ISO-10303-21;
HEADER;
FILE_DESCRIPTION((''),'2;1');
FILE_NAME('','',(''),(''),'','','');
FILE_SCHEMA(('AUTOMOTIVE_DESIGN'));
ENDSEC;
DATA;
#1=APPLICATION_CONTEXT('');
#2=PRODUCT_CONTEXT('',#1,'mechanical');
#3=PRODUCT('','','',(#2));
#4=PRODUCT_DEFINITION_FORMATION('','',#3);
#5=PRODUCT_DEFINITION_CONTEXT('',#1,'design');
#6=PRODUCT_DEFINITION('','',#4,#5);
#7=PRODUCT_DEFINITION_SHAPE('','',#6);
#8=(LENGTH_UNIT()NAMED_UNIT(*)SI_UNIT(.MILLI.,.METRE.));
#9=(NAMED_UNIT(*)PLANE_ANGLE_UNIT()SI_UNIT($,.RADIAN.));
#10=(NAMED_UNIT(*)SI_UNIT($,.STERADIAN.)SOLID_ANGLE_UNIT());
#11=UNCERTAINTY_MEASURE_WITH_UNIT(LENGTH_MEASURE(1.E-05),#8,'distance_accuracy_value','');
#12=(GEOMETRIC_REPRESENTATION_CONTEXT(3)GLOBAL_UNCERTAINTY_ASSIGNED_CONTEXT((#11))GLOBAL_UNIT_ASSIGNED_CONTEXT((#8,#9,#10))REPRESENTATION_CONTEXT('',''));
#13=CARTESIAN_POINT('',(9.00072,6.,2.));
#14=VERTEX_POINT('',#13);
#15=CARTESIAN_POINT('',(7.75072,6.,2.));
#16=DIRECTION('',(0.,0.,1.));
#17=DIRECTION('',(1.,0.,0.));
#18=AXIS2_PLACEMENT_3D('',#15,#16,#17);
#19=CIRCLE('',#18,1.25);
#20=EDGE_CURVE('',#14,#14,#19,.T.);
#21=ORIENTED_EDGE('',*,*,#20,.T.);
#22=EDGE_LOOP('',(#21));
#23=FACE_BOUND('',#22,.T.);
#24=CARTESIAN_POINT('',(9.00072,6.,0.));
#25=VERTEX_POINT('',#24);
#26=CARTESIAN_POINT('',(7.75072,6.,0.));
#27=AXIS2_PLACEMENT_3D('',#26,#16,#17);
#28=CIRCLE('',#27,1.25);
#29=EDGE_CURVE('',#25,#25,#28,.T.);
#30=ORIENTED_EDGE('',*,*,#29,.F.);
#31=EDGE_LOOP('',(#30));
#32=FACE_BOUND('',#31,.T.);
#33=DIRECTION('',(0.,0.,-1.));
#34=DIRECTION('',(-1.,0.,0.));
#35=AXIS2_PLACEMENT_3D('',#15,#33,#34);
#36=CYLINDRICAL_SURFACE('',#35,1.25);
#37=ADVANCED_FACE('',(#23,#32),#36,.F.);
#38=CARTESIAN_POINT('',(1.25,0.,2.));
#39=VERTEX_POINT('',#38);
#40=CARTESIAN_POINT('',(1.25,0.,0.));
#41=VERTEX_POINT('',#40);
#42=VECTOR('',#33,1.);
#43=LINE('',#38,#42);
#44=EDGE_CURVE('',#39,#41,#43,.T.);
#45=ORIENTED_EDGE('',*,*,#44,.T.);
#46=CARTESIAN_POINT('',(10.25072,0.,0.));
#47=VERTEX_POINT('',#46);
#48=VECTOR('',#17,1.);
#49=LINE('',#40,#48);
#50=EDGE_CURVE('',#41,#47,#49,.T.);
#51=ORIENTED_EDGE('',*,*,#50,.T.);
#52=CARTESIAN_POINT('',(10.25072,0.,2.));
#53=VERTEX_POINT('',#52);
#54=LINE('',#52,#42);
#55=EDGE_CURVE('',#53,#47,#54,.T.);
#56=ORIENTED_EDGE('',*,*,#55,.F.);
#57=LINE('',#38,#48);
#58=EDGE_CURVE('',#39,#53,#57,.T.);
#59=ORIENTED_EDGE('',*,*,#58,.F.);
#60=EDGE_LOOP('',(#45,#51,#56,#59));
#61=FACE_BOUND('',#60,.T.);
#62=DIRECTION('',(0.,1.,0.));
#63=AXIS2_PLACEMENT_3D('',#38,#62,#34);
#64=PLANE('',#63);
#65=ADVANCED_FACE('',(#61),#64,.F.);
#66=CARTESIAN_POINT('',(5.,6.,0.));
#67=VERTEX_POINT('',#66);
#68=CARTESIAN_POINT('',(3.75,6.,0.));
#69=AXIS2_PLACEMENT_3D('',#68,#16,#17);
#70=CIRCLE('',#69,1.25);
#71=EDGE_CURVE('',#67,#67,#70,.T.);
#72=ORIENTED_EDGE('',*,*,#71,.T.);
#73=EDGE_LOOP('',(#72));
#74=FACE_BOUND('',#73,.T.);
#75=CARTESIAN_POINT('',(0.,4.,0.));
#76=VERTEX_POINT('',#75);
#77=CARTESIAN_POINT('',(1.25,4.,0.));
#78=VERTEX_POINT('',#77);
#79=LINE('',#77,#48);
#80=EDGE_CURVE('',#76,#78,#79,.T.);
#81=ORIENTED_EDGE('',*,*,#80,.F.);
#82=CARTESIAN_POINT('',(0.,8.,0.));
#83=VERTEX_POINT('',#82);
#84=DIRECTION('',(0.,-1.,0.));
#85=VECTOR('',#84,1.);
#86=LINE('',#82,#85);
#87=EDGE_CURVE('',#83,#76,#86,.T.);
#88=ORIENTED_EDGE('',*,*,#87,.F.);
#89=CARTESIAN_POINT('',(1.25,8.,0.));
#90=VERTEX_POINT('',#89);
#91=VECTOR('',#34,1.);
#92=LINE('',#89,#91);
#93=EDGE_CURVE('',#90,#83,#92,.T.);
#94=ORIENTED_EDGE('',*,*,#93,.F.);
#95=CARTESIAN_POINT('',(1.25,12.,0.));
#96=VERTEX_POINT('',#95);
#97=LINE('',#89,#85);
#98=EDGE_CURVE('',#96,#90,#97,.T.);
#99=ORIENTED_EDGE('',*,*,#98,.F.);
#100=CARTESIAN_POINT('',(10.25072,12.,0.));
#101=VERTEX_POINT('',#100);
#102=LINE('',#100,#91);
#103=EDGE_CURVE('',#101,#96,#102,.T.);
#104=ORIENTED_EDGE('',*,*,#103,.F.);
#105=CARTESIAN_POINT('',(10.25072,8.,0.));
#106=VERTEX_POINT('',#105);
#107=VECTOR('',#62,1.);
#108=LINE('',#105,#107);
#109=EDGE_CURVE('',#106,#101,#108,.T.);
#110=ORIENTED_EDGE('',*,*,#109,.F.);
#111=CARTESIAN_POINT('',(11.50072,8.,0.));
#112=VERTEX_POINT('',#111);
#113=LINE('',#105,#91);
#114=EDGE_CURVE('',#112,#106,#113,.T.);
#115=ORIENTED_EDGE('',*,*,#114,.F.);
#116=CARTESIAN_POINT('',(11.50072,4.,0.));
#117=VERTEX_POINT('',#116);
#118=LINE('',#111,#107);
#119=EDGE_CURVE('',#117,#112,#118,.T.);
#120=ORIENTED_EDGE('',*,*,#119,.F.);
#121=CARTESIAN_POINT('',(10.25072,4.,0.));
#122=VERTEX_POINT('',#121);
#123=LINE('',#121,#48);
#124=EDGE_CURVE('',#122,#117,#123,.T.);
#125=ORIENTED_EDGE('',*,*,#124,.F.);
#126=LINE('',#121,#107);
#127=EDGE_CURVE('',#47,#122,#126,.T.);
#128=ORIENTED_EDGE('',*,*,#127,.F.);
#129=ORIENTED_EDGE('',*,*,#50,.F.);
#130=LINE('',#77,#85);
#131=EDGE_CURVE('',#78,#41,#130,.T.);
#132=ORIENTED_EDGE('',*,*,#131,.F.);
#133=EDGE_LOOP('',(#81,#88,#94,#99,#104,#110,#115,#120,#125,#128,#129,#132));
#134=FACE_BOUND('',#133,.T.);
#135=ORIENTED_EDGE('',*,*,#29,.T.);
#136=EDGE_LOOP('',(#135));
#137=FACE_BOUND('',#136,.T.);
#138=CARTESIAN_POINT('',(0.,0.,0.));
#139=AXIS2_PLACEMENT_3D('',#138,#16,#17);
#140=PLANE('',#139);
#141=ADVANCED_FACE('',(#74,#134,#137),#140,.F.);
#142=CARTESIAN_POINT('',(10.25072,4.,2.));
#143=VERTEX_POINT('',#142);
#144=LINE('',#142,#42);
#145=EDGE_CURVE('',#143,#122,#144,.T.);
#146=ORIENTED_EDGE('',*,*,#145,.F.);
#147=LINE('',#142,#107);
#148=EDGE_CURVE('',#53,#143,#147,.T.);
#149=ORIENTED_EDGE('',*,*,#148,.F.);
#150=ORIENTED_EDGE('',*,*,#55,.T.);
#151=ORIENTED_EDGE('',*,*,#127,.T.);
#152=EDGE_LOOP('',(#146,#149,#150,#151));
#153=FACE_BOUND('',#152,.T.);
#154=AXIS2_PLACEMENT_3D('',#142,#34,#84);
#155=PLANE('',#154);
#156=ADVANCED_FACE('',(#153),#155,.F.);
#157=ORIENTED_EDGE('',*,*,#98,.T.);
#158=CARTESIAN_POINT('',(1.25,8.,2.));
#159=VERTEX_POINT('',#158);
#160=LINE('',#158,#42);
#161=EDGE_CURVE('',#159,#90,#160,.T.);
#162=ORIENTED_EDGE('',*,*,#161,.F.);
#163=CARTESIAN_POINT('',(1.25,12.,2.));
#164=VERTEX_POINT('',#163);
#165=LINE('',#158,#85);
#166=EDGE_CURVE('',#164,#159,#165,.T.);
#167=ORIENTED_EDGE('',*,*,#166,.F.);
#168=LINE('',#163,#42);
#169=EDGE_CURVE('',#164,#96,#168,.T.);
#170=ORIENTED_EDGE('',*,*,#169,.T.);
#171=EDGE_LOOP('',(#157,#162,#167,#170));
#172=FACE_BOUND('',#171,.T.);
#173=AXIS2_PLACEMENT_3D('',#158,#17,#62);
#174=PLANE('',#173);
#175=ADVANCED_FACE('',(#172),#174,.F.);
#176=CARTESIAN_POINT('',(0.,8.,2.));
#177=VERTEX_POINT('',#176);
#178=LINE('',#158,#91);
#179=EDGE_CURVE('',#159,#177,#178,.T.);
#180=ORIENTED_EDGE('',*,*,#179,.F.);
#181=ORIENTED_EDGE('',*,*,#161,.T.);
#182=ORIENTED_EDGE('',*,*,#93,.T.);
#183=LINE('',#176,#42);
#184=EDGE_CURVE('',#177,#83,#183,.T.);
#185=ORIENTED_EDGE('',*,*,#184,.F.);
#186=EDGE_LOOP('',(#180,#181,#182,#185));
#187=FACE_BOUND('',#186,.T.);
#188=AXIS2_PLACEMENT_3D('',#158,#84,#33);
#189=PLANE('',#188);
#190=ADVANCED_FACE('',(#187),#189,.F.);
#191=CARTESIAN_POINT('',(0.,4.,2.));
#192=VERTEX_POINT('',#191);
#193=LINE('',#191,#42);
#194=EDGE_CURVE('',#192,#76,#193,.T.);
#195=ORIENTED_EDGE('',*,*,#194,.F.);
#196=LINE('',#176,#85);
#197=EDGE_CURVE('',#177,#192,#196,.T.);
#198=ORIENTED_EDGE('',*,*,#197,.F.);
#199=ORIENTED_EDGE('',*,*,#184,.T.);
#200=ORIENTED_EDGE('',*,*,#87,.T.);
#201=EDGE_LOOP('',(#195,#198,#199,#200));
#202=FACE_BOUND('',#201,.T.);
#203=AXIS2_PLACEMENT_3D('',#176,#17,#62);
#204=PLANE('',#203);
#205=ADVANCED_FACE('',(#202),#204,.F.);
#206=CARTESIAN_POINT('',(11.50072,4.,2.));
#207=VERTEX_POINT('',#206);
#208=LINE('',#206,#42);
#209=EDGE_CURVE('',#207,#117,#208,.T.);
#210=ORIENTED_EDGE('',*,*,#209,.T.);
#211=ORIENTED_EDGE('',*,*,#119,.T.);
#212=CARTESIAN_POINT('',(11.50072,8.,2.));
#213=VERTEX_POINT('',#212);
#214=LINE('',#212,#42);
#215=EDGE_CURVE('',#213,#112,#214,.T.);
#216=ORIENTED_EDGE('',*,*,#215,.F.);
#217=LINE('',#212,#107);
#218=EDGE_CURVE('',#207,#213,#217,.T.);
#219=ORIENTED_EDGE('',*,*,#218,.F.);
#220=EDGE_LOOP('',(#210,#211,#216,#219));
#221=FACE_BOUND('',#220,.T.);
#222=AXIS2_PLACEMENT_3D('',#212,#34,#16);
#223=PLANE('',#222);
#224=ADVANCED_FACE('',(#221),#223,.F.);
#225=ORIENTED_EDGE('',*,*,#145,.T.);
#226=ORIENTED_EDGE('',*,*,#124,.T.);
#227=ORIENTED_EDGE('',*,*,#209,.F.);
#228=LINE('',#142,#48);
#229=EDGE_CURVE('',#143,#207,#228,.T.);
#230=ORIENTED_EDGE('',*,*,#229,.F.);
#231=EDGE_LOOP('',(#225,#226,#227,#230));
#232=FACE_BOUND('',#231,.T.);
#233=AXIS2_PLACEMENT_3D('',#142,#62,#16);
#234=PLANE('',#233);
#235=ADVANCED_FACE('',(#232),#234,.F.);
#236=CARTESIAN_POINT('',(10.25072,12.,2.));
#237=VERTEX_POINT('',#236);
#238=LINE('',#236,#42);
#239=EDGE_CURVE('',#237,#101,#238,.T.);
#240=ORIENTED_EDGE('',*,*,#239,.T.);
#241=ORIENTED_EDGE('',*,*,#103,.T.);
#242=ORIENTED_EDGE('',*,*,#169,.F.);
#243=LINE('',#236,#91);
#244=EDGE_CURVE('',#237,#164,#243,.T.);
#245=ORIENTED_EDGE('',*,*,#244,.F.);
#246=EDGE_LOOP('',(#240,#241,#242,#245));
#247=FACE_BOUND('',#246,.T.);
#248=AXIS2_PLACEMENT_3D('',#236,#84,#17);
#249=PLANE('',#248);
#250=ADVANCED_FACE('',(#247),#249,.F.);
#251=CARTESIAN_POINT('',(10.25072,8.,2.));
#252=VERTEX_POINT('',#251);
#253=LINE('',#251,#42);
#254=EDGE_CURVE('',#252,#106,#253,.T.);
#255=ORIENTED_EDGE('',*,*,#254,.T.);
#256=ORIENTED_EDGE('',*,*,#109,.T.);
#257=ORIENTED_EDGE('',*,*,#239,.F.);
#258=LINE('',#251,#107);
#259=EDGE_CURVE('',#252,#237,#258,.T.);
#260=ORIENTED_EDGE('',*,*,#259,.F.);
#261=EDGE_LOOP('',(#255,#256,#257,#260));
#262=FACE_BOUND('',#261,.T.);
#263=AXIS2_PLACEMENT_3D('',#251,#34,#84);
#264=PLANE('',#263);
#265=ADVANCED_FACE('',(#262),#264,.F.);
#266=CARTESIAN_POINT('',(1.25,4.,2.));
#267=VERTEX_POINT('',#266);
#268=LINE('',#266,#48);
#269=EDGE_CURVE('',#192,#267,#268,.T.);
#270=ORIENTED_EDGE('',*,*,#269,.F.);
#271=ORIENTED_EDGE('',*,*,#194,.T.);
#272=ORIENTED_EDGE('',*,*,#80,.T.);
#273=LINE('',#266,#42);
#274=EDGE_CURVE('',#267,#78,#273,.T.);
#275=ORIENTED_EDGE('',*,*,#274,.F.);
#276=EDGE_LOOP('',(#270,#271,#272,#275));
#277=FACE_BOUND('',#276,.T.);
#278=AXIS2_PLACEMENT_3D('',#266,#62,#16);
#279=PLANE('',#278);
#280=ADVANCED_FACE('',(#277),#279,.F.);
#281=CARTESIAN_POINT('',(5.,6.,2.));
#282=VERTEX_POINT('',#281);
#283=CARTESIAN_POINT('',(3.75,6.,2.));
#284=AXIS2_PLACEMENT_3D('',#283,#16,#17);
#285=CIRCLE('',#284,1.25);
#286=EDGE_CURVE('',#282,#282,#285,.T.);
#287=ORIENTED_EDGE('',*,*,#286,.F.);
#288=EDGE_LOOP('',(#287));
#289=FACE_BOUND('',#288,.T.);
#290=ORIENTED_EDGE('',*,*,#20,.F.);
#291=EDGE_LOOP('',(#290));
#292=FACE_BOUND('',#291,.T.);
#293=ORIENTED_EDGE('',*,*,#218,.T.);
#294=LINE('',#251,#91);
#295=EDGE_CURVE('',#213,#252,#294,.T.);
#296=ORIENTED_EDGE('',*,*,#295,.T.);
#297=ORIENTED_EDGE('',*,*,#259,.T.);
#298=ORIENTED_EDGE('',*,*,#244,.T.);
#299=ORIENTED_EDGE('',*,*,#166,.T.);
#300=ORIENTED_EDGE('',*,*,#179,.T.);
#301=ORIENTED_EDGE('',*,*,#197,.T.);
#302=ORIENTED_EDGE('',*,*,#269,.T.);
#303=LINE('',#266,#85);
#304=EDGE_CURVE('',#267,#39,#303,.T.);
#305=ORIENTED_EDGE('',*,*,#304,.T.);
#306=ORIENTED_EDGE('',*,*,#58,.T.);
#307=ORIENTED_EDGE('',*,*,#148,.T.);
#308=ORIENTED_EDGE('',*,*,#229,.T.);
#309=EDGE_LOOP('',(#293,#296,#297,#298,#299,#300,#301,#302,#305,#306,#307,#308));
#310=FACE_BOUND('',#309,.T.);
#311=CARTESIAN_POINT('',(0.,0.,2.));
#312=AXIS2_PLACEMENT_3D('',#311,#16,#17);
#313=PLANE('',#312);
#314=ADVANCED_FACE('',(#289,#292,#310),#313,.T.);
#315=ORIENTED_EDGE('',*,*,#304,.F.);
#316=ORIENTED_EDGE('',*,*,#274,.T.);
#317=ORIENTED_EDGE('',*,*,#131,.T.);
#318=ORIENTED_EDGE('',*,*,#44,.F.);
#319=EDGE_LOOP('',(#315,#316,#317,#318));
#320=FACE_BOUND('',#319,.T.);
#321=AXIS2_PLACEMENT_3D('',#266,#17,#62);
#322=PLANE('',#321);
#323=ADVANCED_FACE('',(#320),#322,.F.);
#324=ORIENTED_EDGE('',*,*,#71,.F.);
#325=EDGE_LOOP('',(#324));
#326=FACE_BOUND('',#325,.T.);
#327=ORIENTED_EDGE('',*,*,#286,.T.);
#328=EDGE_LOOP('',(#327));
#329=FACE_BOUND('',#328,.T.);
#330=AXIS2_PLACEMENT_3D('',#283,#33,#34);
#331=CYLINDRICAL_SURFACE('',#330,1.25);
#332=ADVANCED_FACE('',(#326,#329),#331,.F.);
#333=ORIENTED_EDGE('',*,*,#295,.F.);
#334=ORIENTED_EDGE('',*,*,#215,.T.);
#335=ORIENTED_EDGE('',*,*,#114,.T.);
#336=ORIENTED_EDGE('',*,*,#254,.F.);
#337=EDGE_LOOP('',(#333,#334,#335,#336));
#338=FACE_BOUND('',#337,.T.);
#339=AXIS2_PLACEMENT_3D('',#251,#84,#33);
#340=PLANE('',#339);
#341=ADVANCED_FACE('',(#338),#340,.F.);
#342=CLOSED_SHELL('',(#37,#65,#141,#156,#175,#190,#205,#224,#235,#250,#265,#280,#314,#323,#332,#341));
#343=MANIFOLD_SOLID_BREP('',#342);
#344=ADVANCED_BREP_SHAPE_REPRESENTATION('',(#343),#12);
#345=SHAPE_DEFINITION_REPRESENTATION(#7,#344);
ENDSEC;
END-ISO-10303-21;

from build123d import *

# Parameters (mm, degrees)
MODEL_R             = 1.25
BOSS_EXTRUDE1_DEPTH = 2


with BuildPart() as part:
    # Model → Boss-Extrude1 (new body)
    with BuildSketch(Plane.XY):
        Polygon((1.25, 4), (0, 4), (0, 8), (1.25, 8), (1.25, 12), (10.25072, 12), (10.25072, 8), (11.50072, 8), (11.50072, 4), (10.25072, 4), (10.25072, 0), (1.25, 0), align=None)
        with Locations((7.75072, 6)):
            Circle(MODEL_R, mode=Mode.SUBTRACT)
        with Locations((3.75, 6)):
            Circle(MODEL_R, mode=Mode.SUBTRACT)
    extrude(amount=BOSS_EXTRUDE1_DEPTH)


solid = part.part
